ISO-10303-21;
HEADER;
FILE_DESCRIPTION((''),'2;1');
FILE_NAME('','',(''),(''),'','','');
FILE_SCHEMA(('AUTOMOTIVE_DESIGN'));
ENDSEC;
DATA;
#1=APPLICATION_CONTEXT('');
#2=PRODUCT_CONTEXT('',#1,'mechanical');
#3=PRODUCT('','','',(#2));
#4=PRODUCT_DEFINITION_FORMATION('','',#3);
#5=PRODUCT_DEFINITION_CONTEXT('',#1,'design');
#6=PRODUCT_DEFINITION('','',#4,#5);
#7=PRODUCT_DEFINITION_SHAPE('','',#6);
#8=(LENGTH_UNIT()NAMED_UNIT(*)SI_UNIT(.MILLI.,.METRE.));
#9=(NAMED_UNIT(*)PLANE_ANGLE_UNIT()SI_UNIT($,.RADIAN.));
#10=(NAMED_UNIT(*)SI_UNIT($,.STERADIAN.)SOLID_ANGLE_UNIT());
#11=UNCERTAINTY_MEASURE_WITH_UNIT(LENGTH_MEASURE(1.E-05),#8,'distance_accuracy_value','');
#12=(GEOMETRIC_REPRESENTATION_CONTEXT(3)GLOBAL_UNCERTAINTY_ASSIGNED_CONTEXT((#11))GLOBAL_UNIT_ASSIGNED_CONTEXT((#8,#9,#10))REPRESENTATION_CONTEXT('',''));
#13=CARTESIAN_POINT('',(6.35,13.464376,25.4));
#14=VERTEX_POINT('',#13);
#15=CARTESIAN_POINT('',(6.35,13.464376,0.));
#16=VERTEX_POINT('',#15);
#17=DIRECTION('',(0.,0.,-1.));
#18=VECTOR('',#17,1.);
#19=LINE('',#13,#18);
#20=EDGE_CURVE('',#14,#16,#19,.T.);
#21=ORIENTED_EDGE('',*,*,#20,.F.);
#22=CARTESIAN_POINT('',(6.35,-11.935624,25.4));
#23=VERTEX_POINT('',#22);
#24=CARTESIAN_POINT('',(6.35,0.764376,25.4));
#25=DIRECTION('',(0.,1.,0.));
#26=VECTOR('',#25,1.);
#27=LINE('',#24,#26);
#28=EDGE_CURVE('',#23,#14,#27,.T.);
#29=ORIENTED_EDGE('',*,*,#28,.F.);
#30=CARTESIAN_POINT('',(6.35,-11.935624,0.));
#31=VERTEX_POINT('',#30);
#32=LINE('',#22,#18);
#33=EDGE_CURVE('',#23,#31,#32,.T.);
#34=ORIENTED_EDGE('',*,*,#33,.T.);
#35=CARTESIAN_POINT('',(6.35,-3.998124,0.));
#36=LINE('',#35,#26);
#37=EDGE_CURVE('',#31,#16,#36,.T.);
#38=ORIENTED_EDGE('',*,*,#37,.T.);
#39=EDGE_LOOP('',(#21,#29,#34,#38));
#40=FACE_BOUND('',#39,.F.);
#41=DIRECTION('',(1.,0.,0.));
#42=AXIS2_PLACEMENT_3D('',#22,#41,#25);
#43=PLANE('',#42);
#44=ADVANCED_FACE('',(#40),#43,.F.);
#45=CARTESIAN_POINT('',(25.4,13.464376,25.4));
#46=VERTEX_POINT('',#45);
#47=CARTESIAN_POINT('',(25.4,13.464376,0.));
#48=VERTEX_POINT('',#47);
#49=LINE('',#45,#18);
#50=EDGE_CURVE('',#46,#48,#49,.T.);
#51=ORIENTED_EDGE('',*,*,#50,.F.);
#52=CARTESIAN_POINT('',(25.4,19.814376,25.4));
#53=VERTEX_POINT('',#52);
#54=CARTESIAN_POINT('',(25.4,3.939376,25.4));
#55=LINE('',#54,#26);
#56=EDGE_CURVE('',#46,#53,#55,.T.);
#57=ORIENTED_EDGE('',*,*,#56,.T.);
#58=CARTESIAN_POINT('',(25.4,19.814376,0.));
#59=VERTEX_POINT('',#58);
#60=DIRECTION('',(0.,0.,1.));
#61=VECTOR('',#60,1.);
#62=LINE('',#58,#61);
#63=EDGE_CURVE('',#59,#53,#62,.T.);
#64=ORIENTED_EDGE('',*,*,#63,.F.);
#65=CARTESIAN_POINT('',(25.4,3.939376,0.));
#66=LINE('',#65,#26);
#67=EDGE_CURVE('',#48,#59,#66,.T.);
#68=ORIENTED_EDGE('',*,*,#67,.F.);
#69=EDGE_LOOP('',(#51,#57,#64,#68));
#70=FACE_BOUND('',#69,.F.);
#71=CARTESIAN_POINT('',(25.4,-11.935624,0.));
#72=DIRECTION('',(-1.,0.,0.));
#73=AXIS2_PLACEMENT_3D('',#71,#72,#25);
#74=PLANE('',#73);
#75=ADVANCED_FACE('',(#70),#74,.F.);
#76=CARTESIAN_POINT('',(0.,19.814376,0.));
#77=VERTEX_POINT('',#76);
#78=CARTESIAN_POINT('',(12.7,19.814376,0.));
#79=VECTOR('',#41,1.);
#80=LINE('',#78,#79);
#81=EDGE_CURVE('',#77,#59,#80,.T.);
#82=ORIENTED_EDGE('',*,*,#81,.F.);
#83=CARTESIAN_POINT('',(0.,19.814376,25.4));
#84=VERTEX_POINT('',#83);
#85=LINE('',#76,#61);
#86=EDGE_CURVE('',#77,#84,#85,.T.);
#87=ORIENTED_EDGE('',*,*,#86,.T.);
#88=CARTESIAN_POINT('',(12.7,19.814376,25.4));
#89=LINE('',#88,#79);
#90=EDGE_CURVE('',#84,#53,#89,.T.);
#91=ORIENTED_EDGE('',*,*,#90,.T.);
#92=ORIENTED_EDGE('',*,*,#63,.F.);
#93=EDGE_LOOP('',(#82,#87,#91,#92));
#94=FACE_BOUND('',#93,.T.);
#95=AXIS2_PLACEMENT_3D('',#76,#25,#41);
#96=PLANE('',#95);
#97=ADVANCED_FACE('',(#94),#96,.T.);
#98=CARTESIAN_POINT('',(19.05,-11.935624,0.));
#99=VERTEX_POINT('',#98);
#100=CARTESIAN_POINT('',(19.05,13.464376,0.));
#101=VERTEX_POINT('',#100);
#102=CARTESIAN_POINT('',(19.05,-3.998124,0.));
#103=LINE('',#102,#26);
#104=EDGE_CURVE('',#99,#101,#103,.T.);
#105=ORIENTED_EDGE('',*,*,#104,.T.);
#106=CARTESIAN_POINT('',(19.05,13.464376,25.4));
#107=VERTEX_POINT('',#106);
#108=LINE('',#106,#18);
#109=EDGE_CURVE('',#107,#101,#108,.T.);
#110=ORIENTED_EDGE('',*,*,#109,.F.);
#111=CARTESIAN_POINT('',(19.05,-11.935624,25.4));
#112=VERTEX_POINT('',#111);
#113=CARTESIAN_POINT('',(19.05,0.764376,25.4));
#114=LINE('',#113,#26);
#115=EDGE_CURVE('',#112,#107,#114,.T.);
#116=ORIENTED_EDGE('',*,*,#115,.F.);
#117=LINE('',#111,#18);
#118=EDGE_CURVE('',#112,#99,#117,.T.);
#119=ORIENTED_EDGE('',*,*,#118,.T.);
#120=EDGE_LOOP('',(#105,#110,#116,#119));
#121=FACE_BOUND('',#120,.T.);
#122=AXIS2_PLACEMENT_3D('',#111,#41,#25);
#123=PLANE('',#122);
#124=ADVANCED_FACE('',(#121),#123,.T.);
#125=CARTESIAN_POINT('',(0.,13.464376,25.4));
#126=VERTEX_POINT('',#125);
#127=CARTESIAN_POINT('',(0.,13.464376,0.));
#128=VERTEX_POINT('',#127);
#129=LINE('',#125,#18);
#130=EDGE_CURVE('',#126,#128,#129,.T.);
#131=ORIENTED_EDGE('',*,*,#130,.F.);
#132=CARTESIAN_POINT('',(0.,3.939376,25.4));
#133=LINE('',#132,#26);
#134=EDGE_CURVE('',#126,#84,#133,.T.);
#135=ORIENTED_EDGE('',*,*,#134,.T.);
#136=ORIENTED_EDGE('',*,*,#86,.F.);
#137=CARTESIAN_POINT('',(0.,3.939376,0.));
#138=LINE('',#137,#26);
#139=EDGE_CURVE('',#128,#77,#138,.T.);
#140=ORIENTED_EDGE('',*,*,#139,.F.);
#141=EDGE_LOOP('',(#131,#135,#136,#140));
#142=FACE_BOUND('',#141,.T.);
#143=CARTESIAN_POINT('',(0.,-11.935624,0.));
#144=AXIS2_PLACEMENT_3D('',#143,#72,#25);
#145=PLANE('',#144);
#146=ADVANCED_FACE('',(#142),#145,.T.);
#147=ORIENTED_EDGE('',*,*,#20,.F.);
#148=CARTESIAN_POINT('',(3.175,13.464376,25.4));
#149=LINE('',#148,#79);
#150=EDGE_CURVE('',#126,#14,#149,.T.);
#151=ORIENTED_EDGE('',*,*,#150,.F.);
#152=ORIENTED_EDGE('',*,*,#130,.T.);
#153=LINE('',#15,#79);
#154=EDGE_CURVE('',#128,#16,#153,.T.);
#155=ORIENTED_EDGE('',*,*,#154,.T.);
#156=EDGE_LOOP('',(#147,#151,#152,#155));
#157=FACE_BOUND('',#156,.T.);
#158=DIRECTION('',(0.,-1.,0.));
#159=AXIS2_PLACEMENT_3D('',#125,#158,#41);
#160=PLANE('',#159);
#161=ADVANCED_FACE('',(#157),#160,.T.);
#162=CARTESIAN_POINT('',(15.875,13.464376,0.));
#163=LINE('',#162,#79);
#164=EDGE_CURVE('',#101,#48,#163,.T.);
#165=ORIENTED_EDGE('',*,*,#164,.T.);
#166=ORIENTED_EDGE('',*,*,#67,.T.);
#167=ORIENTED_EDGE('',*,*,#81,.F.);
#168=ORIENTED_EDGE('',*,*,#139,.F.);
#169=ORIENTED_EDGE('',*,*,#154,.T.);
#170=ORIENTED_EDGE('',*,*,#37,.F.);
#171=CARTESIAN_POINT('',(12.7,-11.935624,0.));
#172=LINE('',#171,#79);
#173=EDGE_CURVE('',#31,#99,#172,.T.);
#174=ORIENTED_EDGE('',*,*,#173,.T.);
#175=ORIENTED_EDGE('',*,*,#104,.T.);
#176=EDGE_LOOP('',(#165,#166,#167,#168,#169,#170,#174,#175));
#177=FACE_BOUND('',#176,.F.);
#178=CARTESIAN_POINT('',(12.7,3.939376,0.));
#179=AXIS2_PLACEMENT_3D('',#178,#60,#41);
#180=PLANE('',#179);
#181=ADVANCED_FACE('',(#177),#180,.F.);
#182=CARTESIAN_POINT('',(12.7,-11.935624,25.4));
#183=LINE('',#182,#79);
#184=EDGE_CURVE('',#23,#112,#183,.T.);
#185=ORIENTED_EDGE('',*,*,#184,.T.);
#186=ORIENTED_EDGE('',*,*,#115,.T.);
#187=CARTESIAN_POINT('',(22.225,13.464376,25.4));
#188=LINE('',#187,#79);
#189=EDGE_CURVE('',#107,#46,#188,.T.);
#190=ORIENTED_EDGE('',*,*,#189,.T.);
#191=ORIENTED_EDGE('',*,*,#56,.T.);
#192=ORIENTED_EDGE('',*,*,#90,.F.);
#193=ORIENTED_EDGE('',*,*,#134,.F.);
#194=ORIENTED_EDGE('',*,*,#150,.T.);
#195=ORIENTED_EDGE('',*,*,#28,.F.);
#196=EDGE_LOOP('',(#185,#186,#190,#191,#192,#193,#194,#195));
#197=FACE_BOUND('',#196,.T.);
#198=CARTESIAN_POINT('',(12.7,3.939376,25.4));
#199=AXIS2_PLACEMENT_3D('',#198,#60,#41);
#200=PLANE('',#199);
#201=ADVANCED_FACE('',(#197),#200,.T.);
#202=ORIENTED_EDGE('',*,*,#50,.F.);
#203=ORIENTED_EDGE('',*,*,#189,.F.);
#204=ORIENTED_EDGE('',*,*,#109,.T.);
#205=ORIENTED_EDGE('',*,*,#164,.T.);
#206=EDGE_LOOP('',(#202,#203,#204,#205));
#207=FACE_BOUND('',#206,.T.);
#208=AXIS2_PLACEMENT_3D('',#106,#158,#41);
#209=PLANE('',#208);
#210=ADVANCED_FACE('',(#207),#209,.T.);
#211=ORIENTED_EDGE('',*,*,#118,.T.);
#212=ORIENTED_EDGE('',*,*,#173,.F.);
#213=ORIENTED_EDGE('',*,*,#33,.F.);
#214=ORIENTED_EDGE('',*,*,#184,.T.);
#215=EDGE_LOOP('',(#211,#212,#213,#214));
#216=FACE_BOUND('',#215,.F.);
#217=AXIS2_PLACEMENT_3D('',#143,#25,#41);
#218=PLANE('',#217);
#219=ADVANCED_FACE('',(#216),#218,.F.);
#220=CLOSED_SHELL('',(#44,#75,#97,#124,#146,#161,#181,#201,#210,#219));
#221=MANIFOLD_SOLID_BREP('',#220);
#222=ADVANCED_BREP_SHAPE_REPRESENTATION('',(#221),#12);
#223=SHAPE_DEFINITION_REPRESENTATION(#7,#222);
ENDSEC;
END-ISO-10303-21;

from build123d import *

# Parameters (mm, degrees)
F0_W     = 25.4
F0_H     = 31.75
F1_DEPTH = 25.4
F2_W     = 6.35
F2_H     = 25.4
F3_DEPTH = 25.401
F4_W     = 6.35
F4_H     = 25.4
F5_DEPTH = 25.401


with BuildPart() as f1:
    # F0 (on Top) → F1 (new body)
    with BuildSketch(Plane.XY):
        with Locations((12.7, 3.939376)):
            Rectangle(F0_W, F0_H)
    extrude(amount=F1_DEPTH)

    # F2 (on face) → F3 (cut, through all)
    with BuildSketch(Plane.XY.offset(25.4)):
        with Locations((3.175, 0.764376)):
            Rectangle(F2_W, F2_H)
    extrude(amount=-F3_DEPTH, mode=Mode.SUBTRACT)

    # F4 (on face) → F5 (cut, through all)
    with BuildSketch(Plane.XY.offset(25.4)):
        with Locations((22.225, 0.764376)):
            Rectangle(F4_W, F4_H)
    extrude(amount=-F5_DEPTH, mode=Mode.SUBTRACT)


solid = f1.part
